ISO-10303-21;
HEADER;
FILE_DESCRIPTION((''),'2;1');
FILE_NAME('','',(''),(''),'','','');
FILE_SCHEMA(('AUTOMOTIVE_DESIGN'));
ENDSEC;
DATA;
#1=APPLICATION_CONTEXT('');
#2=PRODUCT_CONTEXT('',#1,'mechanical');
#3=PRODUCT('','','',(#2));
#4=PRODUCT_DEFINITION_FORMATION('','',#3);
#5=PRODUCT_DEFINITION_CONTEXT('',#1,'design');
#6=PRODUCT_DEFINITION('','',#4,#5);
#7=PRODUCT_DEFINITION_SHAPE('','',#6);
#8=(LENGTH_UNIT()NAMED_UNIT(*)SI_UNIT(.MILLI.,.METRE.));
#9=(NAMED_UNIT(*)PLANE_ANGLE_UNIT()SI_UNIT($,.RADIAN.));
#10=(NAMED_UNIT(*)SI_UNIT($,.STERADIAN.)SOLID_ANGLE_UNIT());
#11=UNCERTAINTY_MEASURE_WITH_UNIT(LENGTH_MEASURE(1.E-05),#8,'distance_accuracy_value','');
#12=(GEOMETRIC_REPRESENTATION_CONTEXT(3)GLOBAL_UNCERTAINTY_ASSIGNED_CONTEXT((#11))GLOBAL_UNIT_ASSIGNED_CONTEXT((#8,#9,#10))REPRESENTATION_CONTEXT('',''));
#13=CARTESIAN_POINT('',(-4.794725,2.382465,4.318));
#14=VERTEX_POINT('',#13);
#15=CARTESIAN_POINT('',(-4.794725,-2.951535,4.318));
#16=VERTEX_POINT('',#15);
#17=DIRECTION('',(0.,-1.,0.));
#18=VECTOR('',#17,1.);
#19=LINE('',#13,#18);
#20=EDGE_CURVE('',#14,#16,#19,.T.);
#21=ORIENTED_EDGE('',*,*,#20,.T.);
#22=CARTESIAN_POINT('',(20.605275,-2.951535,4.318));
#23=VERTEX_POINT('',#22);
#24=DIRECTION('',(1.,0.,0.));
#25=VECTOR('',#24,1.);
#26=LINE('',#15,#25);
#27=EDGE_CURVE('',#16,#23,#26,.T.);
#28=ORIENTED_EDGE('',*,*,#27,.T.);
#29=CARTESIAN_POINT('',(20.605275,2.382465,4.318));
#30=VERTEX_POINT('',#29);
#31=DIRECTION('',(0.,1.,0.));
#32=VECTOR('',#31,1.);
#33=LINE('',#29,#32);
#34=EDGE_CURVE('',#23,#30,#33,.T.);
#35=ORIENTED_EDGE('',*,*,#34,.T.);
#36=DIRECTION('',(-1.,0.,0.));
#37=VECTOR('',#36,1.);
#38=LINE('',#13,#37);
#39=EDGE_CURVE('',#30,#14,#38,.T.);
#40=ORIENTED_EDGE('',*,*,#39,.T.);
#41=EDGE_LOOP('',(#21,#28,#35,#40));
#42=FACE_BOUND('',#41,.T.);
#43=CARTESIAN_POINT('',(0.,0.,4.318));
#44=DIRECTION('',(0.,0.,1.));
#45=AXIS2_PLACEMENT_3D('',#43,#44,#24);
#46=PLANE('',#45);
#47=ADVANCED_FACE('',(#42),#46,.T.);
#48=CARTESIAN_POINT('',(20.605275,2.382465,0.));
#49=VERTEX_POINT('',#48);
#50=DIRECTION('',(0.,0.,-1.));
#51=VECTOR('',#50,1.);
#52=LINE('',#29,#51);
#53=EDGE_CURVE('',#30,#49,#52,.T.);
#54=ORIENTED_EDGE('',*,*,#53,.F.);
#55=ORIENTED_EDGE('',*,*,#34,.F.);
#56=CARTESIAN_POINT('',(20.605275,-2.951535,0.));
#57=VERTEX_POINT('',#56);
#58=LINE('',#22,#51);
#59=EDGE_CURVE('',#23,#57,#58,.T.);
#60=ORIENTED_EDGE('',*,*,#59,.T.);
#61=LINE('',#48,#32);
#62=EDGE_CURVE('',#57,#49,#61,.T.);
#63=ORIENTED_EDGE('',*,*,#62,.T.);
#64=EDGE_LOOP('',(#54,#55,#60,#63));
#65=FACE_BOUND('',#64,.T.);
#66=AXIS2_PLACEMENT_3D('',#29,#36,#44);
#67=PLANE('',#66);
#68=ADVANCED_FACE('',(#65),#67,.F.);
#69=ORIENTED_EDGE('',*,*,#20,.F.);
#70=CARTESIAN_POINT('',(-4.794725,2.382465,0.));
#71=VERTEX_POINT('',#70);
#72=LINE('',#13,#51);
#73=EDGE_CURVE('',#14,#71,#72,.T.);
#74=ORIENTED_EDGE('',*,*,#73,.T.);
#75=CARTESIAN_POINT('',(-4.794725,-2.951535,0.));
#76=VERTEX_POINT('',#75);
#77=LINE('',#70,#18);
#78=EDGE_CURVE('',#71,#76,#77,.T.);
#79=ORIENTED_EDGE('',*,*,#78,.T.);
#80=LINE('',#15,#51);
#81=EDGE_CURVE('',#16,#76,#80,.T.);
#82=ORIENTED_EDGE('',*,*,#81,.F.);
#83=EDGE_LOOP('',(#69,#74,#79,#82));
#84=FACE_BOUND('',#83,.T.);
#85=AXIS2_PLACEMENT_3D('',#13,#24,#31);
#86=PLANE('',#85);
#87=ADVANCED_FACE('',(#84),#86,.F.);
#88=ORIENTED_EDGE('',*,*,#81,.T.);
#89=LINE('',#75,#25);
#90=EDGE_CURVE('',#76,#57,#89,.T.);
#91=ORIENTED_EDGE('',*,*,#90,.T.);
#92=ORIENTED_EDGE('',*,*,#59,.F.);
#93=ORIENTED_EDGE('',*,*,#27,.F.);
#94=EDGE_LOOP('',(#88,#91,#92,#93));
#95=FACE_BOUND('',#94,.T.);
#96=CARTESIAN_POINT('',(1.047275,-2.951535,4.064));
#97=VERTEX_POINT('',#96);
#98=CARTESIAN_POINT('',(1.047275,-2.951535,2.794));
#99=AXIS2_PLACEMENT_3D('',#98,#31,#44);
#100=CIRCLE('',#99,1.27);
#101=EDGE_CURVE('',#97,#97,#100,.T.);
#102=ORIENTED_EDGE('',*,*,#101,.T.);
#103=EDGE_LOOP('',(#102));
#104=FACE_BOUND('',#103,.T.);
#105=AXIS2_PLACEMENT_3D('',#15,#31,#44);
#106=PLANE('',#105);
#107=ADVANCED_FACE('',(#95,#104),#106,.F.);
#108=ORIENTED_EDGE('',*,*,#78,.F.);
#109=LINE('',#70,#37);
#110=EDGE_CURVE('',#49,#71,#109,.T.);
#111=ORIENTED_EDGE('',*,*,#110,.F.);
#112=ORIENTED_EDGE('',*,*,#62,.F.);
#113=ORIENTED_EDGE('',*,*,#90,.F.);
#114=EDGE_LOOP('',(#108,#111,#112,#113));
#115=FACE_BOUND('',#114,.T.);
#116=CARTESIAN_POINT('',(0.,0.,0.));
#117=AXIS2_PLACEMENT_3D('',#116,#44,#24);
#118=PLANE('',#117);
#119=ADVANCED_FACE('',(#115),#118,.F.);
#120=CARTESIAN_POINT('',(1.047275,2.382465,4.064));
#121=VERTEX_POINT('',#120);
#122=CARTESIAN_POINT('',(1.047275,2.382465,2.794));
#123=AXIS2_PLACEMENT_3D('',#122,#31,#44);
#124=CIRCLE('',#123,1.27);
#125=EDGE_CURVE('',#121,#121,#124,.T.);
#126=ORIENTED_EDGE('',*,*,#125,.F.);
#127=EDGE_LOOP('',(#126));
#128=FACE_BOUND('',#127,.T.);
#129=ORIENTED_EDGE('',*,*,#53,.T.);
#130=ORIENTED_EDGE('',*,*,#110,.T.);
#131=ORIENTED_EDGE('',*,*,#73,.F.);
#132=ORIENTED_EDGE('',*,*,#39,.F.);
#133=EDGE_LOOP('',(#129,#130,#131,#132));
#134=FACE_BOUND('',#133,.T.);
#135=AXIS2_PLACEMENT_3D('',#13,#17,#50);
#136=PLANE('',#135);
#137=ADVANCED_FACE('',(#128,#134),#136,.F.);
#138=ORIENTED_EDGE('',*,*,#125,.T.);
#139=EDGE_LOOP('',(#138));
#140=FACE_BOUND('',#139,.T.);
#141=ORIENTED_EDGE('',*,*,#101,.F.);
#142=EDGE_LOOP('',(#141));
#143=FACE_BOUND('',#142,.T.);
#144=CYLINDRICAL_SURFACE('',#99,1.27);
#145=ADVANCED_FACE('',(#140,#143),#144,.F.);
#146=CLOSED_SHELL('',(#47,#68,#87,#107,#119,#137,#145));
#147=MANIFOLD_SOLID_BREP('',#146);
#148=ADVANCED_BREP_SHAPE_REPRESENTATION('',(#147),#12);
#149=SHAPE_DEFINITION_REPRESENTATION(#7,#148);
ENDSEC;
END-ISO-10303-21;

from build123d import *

# Parameters (mm, degrees)
SKETCH1_W           = 25.4
SKETCH1_H           = 5.334
BOSS_EXTRUDE1_DEPTH = 4.318
SKETCH2_R           = 1.27
CUT_EXTRUDE2_DEPTH  = 22.718057664


with BuildPart() as part:
    # Sketch1 → Boss-Extrude1 (new body)
    with BuildSketch(Plane.XY):
        with Locations((7.905274778, -0.284534644)):
            Rectangle(SKETCH1_W, SKETCH1_H)
    extrude(amount=BOSS_EXTRUDE1_DEPTH)

    # Sketch2 → Cut-Extrude2 (cut, through all)
    with BuildSketch(Plane(origin=(0, 2.382465356, 0), x_dir=(1, 0, 0), z_dir=(0, 1, 0))):
        with Locations(Location((1.047274778, -2.794, 0), (0, 0, 270))):
            Circle(SKETCH2_R)
    extrude(amount=-CUT_EXTRUDE2_DEPTH, mode=Mode.SUBTRACT)


solid = part.part
